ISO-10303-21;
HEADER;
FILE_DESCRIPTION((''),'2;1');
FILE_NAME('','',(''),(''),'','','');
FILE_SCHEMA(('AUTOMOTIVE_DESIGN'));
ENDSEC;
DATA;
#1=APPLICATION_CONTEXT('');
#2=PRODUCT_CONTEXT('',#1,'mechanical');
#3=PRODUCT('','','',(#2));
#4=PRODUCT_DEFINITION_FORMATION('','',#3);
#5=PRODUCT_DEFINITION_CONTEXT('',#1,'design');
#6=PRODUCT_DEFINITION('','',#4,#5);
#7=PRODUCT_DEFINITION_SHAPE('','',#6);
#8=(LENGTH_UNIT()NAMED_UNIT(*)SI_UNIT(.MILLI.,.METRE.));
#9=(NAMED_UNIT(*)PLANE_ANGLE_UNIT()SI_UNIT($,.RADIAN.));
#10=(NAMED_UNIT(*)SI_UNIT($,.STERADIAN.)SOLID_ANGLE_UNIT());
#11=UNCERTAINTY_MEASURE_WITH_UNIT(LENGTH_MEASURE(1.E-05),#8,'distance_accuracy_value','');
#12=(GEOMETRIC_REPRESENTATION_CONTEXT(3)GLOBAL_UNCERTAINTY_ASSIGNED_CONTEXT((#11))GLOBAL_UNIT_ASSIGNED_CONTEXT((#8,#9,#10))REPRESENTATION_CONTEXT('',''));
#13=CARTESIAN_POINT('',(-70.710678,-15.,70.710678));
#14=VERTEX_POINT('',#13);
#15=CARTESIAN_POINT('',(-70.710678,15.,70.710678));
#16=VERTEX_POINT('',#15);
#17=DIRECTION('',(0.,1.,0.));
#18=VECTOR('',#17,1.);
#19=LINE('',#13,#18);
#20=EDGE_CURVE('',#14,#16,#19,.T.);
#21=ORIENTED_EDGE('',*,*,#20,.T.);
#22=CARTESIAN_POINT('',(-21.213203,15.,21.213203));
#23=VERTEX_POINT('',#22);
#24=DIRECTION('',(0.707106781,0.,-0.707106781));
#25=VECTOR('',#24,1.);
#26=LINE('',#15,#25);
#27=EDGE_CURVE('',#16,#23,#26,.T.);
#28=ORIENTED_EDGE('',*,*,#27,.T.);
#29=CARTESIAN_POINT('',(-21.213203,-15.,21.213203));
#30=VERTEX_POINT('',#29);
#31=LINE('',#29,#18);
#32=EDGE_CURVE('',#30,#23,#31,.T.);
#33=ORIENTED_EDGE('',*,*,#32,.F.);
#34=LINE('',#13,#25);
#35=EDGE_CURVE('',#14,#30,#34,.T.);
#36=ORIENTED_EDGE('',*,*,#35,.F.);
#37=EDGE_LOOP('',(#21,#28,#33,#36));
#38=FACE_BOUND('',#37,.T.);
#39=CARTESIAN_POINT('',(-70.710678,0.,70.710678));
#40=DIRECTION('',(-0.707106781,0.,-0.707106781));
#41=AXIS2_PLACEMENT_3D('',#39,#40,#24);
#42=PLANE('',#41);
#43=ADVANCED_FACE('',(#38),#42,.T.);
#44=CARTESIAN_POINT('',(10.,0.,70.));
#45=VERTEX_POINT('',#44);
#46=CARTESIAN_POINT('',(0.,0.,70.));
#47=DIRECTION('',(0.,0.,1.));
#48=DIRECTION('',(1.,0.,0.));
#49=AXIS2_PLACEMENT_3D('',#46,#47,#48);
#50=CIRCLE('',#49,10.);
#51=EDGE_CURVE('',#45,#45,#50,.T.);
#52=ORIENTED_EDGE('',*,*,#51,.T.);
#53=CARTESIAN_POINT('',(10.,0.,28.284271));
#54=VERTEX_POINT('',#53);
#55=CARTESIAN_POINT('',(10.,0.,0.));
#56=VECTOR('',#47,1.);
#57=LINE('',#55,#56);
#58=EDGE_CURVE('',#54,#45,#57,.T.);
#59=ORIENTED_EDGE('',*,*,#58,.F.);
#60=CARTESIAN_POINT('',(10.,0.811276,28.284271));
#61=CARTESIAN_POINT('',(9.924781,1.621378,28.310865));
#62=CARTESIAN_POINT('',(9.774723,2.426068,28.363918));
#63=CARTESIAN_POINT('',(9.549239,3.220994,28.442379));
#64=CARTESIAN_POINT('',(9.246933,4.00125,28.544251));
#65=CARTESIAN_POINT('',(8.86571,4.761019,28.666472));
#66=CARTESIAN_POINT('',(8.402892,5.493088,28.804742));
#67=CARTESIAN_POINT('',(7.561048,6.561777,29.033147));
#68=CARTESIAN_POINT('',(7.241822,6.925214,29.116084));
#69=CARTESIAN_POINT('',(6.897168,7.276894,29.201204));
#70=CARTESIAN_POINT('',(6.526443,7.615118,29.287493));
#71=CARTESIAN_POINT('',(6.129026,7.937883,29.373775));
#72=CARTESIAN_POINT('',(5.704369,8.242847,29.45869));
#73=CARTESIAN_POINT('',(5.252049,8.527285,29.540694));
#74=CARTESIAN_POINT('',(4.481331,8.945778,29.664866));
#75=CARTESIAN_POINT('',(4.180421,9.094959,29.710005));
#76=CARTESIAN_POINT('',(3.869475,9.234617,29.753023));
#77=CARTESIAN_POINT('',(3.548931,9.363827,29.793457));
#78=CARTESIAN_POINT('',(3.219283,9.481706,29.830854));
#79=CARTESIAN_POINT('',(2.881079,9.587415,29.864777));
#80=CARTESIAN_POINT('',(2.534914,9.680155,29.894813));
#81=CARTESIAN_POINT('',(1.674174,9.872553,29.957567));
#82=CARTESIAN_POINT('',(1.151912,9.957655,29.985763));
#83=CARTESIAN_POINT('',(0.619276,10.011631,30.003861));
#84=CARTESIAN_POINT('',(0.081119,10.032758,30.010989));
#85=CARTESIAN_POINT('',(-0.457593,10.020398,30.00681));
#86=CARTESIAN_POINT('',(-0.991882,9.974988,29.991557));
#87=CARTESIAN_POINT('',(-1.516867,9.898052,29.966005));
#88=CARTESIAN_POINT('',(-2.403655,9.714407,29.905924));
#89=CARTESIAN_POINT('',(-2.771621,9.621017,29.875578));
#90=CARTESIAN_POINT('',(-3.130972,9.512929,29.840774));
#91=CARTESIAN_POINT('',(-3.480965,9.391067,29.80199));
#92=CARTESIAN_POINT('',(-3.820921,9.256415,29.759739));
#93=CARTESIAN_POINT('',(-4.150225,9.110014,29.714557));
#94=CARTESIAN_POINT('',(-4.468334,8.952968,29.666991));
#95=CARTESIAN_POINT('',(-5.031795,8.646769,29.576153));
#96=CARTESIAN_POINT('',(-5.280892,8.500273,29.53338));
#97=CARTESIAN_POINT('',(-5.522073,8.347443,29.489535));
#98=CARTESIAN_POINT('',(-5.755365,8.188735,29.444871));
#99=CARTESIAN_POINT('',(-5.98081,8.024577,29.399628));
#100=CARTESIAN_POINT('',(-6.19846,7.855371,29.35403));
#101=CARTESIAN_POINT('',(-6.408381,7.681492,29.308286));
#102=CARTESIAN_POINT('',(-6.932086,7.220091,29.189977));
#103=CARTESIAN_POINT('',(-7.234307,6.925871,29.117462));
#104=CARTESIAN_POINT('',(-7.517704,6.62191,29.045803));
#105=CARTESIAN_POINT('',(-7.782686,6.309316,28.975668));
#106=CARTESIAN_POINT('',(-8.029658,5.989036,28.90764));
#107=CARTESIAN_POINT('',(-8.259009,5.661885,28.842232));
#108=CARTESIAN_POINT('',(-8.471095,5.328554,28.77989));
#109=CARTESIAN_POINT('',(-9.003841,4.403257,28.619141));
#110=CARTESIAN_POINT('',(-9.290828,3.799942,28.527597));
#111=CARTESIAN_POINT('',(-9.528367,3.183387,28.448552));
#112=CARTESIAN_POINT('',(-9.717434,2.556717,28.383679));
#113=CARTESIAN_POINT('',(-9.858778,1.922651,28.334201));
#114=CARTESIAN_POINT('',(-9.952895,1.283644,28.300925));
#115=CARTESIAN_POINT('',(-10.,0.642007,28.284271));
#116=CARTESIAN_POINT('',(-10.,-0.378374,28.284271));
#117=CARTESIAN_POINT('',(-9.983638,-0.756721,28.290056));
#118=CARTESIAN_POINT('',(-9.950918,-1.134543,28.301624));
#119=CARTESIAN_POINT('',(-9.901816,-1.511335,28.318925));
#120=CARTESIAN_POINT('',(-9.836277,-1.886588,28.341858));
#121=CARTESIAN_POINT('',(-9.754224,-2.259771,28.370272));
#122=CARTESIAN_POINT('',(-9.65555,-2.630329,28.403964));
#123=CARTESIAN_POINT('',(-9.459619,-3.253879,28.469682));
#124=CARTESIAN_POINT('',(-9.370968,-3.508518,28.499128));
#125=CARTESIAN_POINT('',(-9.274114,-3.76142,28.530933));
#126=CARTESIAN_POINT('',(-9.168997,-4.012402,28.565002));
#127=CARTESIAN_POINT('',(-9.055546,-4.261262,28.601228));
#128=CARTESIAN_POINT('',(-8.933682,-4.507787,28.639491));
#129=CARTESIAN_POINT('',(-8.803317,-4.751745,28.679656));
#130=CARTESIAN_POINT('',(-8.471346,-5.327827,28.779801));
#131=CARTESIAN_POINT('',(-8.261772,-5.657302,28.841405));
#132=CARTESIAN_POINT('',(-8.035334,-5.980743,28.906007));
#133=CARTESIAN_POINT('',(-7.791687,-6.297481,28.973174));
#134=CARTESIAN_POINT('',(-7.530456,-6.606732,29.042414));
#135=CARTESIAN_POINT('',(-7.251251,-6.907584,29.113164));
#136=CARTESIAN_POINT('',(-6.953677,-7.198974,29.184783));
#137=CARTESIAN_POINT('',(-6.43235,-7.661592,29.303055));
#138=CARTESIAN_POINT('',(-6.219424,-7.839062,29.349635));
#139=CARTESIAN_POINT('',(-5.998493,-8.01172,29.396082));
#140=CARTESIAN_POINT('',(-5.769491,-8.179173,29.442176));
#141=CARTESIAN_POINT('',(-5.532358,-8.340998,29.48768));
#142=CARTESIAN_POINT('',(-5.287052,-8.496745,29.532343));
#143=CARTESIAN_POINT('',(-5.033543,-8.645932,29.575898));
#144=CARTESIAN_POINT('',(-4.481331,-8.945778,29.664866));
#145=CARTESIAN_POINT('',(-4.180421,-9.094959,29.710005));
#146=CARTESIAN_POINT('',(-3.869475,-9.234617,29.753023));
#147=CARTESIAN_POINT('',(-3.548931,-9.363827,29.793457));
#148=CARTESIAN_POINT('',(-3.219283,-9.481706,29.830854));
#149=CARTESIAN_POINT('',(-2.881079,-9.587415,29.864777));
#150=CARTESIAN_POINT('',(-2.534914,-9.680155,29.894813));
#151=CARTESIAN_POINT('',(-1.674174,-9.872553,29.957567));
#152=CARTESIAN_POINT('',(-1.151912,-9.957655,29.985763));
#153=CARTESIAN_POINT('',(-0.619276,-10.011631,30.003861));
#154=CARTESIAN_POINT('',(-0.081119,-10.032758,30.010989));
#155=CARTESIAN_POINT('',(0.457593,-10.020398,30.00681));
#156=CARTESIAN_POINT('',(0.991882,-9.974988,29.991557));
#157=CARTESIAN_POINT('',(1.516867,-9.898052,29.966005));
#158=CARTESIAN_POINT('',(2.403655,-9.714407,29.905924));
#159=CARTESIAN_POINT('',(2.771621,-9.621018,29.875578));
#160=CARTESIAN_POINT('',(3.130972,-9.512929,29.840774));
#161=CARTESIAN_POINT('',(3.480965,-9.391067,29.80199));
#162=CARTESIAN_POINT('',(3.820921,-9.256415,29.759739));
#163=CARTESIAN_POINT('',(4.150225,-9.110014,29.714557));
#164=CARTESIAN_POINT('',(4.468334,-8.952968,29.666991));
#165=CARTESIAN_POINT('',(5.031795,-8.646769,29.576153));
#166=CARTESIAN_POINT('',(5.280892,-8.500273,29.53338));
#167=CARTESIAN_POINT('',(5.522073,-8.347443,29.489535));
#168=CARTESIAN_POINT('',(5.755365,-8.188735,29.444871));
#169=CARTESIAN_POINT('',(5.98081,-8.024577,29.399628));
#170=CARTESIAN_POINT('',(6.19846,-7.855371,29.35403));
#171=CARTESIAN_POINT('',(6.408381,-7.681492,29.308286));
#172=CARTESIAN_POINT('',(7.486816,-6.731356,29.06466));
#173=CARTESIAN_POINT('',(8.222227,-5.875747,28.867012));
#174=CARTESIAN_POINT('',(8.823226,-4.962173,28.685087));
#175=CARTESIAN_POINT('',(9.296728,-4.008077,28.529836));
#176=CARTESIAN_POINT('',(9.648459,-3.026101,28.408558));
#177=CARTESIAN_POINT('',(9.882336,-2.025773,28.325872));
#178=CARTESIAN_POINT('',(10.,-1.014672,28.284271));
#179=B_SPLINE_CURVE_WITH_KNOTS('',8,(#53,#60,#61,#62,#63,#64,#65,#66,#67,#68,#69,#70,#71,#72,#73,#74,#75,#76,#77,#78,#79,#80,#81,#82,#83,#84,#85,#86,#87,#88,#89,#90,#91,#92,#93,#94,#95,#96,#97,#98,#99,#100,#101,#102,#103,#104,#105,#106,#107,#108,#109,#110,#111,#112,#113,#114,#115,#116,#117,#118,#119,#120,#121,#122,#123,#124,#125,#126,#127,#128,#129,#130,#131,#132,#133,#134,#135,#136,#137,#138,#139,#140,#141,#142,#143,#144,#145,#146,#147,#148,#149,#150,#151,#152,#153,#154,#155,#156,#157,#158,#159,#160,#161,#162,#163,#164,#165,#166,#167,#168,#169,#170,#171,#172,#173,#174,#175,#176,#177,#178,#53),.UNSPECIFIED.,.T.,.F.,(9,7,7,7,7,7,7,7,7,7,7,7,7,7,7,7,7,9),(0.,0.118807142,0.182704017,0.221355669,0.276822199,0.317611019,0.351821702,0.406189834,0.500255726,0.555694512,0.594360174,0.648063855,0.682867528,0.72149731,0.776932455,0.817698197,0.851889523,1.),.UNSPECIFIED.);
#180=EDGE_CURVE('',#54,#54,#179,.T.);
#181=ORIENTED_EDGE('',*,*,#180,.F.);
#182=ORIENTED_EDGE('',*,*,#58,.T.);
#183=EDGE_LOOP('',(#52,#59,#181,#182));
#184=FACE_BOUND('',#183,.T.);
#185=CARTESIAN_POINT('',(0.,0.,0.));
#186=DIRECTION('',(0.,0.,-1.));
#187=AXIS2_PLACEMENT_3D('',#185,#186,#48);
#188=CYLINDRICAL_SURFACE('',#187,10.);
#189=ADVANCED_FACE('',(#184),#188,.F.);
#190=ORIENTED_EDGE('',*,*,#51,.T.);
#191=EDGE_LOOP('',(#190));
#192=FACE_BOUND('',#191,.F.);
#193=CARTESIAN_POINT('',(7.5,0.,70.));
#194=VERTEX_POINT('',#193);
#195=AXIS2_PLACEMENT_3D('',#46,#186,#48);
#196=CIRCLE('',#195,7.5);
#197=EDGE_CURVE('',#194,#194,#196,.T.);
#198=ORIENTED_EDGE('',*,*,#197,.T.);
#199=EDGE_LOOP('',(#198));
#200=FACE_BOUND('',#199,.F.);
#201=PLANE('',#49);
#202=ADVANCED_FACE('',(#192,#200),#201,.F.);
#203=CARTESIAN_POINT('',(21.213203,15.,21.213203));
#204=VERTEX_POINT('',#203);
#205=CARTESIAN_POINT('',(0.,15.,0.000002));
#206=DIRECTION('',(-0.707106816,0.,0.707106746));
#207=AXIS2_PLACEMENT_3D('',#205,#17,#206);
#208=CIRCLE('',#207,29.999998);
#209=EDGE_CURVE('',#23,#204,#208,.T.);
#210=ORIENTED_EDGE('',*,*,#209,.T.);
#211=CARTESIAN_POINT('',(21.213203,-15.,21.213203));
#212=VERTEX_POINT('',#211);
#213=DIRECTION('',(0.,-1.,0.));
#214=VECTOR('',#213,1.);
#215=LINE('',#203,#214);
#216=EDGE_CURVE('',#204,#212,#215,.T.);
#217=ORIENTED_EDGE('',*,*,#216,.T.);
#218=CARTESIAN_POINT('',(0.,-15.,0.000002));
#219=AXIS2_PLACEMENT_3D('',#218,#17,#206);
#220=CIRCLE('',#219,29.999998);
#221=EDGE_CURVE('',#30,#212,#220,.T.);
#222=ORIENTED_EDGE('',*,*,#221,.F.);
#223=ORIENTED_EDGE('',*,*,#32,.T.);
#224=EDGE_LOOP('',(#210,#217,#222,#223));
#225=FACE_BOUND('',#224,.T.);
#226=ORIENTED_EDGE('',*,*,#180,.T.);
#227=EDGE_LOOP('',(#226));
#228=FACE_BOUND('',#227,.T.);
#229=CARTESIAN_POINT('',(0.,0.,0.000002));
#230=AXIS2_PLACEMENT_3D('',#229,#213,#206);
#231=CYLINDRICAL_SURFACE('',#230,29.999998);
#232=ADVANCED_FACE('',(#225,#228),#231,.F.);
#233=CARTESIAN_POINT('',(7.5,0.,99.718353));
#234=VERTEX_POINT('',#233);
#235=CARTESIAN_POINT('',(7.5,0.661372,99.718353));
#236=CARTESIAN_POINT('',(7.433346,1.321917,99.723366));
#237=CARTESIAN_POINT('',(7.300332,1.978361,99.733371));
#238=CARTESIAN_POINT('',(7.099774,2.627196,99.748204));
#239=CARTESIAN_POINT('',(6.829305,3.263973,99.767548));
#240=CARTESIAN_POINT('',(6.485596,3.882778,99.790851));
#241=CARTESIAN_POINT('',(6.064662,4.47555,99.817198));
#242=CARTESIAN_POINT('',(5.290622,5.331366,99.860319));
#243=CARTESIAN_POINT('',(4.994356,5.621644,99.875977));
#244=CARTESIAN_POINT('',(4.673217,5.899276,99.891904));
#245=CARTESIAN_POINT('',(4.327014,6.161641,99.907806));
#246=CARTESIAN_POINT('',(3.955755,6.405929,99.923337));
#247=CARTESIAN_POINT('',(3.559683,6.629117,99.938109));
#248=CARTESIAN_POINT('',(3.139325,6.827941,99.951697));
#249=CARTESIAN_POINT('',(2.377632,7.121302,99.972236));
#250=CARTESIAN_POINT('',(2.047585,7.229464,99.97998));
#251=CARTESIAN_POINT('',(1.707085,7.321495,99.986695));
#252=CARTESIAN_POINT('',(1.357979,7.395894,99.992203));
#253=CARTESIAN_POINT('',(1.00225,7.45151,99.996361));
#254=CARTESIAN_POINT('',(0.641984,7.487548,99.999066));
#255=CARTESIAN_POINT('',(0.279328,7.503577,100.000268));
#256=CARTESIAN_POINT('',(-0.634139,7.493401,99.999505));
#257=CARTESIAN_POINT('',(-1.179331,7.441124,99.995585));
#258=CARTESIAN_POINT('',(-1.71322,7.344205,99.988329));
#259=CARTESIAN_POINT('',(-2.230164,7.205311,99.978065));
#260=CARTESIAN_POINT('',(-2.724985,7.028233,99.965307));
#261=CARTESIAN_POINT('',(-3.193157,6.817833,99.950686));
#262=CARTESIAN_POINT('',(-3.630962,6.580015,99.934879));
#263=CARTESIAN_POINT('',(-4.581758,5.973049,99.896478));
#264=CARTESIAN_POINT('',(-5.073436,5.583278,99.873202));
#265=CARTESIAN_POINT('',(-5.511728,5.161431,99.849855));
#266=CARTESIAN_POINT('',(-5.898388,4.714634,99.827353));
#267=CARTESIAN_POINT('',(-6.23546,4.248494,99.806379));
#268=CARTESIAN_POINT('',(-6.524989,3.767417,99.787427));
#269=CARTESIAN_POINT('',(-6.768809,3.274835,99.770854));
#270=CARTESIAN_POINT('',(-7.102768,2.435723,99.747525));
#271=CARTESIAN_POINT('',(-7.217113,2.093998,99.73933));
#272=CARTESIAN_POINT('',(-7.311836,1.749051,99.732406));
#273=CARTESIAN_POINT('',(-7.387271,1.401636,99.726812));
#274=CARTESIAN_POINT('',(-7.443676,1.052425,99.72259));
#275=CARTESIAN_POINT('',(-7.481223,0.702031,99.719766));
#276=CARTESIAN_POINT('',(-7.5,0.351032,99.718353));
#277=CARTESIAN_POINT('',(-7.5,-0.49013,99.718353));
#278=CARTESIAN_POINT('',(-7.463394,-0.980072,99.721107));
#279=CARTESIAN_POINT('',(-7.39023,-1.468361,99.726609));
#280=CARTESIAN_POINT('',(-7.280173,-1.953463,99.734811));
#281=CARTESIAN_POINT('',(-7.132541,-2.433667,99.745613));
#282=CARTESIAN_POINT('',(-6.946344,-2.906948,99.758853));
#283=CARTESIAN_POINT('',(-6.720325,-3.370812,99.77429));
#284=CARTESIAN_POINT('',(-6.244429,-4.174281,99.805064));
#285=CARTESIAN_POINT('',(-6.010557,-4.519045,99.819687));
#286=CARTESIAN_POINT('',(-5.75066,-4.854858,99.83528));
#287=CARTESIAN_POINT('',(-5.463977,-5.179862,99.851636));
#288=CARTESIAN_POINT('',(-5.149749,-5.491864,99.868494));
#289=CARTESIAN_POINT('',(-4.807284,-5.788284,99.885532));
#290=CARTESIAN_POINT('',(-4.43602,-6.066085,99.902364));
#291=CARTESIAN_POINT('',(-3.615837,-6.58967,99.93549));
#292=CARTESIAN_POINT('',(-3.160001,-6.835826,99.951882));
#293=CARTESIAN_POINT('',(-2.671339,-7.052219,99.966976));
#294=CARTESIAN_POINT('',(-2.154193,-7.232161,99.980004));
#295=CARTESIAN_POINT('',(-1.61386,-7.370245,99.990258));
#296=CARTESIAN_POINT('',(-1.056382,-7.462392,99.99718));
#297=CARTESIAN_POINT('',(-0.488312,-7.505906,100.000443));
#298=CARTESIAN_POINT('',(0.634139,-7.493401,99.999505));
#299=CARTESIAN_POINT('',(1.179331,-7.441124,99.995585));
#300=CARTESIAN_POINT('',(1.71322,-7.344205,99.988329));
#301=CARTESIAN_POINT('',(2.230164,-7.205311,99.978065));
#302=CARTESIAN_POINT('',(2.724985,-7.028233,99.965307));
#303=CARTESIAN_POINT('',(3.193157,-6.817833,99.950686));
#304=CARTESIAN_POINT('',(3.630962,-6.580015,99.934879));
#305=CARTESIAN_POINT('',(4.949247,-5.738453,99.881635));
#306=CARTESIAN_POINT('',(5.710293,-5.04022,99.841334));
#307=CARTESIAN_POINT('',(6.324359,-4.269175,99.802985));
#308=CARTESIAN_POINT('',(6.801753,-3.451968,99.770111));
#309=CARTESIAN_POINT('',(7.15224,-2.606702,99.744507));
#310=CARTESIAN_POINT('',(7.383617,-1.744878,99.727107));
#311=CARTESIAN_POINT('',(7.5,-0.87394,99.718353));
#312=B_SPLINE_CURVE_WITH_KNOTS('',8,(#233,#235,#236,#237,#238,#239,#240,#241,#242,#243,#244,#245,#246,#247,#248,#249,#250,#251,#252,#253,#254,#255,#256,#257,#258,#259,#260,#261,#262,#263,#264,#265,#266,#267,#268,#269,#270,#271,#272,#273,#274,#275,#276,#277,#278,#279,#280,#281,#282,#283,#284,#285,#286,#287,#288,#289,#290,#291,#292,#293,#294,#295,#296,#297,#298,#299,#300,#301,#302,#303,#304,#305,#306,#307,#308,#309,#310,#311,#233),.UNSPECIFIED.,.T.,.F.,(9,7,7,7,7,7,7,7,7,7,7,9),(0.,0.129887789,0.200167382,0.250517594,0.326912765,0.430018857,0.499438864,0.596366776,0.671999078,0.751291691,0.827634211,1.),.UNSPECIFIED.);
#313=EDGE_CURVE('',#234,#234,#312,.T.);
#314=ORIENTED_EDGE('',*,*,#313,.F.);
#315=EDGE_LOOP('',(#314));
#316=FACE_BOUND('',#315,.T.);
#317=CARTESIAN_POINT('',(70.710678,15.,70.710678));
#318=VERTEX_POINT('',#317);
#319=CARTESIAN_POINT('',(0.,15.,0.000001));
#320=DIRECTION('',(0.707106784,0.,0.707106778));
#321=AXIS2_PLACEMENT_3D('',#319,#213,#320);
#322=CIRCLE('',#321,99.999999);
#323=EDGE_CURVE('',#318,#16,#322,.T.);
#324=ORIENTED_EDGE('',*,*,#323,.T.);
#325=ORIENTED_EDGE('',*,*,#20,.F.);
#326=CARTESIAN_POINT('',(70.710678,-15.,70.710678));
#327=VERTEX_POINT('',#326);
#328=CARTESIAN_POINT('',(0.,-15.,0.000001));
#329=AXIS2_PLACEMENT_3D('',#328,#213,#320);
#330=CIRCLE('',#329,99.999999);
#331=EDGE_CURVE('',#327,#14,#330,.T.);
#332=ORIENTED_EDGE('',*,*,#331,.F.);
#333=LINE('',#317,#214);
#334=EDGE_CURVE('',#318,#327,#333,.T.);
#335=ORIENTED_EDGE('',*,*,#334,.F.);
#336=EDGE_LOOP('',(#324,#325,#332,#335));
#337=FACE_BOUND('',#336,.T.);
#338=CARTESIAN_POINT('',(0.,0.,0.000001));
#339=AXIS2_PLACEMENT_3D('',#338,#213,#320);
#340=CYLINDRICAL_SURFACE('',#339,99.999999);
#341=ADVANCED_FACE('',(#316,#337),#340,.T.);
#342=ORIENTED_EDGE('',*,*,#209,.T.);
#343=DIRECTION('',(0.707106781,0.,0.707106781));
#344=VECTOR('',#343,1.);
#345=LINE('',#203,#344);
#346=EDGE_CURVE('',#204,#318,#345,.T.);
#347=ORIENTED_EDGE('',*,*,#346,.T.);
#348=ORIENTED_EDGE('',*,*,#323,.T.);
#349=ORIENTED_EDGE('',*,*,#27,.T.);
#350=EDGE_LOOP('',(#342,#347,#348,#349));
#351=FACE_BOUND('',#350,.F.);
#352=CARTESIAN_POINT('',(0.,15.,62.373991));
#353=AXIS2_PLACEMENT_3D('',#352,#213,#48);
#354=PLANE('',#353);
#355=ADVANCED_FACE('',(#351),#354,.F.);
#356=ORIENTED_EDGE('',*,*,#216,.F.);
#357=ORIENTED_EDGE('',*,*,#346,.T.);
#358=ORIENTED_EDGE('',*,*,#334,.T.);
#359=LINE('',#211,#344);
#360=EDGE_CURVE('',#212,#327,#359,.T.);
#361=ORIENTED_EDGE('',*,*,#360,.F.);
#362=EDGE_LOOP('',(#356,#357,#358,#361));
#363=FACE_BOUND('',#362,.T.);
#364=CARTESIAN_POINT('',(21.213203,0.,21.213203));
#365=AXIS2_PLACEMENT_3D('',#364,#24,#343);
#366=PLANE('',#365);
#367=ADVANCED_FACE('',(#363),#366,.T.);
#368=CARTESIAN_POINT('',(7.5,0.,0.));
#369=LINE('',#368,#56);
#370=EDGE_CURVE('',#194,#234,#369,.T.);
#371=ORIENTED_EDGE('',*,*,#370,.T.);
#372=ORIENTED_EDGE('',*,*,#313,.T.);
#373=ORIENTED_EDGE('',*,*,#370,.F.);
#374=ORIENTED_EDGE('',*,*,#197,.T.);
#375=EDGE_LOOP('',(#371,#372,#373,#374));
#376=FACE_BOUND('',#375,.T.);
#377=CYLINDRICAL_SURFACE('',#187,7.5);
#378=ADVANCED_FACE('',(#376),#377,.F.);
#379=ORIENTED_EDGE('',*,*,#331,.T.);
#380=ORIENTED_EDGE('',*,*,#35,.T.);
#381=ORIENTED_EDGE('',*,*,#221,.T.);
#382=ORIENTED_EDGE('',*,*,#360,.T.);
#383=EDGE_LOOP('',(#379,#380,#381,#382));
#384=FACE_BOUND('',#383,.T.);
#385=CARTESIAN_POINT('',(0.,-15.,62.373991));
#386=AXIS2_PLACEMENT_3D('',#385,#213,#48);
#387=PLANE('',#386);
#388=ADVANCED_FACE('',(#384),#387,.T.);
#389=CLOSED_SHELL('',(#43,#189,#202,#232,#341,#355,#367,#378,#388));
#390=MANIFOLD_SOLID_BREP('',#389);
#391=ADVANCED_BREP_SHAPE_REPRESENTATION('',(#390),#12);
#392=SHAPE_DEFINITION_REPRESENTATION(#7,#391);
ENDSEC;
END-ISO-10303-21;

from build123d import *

# Parameters (mm, degrees)
F1_DEPTH = 15
F2_R     = 7.5
F3_DEPTH = 200.658232
F4_R     = 10
F5_DEPTH = 70


with BuildPart() as f1:
    # F0 (on Front) → F1 (new body, symmetric)
    with BuildSketch(Plane.XZ):
        with BuildLine():
            ThreePointArc((-21.213203, 21.213203), (0, 30), (21.213203, 21.213203))
            Line((21.213203, 21.213203), (70.710678, 70.710678))
            ThreePointArc((70.710678, 70.710678), (0, 100), (-70.710678, 70.710678))
            Line((-70.710678, 70.710678), (-21.213203, 21.213203))
        make_face()
    extrude(amount=F1_DEPTH, both=True)

    # F2 (on Top) → F3 (cut)
    with BuildSketch(Plane.XY):
        Circle(F2_R)
    extrude(amount=F3_DEPTH, mode=Mode.SUBTRACT)

    # F4 (on Top) → F5 (cut)
    with BuildSketch(Plane.XY):
        Circle(F4_R)
    extrude(amount=F5_DEPTH, mode=Mode.SUBTRACT)


solid = f1.part
